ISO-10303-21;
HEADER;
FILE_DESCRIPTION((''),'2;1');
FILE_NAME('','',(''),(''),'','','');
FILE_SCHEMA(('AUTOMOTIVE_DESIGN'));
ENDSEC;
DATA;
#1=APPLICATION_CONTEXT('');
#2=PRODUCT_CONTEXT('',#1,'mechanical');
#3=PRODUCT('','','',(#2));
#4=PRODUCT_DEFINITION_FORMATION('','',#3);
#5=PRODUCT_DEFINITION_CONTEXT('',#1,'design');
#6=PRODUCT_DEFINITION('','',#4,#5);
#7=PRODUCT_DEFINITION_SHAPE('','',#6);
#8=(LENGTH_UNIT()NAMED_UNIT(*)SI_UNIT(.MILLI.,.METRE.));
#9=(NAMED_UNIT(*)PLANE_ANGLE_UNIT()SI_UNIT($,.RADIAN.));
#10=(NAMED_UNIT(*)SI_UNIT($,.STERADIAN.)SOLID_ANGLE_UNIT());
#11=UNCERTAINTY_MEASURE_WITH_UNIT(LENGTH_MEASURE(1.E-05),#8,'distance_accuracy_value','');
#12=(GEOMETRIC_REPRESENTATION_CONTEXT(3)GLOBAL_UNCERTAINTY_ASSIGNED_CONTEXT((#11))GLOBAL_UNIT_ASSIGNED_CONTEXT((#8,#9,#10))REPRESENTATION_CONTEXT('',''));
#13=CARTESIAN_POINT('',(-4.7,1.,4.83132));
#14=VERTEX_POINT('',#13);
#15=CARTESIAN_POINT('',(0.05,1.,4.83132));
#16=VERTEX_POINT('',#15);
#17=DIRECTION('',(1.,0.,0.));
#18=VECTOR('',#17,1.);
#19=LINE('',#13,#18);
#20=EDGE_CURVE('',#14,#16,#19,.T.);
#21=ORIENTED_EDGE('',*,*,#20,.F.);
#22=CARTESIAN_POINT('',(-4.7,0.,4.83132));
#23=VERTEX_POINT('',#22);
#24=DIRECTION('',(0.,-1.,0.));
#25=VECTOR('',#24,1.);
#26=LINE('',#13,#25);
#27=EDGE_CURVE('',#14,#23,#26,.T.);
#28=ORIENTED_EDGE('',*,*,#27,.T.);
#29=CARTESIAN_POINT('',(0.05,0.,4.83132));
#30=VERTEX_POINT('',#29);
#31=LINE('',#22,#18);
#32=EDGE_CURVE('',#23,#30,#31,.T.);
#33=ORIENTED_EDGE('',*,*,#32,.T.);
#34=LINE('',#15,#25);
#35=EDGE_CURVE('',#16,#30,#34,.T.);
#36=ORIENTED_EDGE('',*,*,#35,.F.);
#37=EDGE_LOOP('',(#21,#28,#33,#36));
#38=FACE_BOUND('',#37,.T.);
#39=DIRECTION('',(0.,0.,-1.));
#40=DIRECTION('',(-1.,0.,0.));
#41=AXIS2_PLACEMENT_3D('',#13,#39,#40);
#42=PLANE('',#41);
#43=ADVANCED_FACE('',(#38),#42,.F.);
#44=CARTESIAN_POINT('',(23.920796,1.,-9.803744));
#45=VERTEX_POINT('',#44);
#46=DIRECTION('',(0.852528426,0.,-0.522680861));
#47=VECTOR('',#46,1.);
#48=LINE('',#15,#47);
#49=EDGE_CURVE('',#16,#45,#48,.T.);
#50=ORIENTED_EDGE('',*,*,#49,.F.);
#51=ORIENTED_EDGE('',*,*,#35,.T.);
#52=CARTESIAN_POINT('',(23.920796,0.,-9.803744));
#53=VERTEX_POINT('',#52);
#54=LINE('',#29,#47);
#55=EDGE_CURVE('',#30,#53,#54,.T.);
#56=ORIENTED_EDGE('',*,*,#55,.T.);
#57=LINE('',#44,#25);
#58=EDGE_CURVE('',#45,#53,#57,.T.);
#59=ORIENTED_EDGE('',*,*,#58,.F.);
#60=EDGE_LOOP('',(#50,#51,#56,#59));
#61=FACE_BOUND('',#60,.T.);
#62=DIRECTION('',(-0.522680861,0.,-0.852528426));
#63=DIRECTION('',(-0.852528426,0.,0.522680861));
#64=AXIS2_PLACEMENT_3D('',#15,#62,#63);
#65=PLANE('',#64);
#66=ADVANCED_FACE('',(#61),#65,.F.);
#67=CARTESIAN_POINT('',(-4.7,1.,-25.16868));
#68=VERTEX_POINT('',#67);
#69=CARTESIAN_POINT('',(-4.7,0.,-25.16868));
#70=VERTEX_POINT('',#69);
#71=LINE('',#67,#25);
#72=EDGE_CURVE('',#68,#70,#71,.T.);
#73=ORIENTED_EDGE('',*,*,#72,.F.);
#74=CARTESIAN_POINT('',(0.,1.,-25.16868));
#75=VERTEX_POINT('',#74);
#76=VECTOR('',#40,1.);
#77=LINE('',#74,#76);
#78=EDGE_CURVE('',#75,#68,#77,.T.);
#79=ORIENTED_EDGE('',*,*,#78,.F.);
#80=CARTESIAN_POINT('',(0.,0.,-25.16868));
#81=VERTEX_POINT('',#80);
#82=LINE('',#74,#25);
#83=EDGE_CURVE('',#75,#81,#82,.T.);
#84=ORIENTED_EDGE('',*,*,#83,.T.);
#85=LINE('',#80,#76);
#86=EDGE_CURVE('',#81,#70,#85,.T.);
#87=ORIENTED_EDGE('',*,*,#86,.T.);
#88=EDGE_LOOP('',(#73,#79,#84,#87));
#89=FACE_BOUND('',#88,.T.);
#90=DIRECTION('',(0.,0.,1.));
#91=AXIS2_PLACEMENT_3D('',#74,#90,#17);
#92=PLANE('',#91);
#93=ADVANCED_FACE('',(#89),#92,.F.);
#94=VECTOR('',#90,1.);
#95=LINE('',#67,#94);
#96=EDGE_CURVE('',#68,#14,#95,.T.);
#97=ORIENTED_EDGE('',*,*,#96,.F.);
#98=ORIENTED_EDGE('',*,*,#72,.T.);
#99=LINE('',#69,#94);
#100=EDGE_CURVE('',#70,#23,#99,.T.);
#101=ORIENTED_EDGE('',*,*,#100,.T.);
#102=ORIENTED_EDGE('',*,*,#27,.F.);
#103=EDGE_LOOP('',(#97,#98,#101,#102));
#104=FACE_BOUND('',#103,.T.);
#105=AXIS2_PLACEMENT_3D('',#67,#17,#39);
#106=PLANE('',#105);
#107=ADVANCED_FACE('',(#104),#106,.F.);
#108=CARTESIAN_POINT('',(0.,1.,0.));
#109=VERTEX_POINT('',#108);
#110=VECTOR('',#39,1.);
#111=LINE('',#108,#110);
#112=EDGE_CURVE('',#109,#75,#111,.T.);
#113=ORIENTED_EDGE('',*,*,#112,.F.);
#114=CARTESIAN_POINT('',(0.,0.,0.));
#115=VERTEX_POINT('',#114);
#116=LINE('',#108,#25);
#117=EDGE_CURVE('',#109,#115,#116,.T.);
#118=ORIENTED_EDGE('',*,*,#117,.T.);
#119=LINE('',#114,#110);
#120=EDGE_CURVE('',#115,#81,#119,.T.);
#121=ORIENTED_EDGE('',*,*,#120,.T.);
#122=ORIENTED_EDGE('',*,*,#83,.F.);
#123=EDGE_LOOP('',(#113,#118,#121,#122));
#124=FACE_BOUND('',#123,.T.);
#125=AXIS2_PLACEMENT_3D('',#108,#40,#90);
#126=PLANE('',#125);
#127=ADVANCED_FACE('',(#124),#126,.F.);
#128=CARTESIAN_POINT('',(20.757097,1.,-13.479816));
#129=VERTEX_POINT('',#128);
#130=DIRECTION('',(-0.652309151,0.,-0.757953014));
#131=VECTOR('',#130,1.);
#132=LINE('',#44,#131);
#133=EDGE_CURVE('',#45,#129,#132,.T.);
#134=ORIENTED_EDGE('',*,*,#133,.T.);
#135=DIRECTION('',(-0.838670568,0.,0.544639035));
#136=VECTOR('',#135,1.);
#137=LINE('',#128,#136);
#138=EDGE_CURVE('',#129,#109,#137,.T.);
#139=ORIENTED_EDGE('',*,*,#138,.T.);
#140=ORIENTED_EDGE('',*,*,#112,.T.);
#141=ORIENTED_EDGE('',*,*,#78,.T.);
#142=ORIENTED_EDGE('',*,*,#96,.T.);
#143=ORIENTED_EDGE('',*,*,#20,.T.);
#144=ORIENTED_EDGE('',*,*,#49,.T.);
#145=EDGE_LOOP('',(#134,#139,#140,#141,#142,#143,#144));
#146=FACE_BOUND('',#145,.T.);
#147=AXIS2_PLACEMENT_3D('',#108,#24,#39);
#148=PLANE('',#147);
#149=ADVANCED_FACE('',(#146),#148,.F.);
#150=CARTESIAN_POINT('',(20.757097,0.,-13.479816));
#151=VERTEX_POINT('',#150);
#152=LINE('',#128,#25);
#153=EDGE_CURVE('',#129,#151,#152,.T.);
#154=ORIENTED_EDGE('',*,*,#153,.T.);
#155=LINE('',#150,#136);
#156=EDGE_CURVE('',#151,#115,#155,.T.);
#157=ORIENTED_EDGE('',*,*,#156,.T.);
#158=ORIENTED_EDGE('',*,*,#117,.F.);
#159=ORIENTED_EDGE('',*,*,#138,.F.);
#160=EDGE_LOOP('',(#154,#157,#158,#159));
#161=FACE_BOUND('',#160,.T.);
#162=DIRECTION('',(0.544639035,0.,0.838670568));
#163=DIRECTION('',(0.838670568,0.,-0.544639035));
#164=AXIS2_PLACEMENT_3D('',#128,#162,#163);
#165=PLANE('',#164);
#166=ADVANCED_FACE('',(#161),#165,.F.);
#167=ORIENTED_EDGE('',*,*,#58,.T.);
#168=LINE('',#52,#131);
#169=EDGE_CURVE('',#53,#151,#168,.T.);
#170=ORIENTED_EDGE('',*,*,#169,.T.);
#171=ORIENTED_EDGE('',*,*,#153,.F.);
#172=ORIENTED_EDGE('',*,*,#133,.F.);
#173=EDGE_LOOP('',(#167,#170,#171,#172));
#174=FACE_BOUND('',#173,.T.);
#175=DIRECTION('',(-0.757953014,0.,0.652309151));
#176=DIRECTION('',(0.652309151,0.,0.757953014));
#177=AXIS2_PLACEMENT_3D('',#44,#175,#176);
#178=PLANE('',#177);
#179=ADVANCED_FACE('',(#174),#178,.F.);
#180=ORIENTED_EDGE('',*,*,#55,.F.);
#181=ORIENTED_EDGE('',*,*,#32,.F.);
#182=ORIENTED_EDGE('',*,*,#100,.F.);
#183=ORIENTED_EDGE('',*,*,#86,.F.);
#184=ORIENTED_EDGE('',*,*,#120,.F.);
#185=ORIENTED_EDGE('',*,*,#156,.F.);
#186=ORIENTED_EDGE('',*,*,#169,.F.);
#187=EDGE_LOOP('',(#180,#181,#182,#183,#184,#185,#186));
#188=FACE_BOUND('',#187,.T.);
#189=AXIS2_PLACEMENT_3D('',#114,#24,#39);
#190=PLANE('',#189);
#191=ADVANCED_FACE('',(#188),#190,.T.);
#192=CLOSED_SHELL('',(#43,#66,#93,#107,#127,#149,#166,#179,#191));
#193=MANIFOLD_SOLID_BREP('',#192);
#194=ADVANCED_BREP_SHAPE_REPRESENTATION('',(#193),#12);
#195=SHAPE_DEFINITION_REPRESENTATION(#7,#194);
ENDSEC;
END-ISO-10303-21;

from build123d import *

# Parameters (mm, degrees)
BOSS_EXTRUDE1_DEPTH = 1


with BuildPart() as part:
    # Sketch1 → Boss-Extrude1 (new body)
    with BuildSketch(Plane(origin=(0, 0, 0), x_dir=(1, 0, 0), z_dir=(0, 1, 0))):
        Polygon((0, 0), (0, 25.168679903), (-4.7, 25.168679903), (-4.7, -4.831320097), (0.05, -4.831320097), (23.920795941, 9.803744), (20.757096557, 13.479816117), align=None)
    extrude(amount=BOSS_EXTRUDE1_DEPTH)


solid = part.part
